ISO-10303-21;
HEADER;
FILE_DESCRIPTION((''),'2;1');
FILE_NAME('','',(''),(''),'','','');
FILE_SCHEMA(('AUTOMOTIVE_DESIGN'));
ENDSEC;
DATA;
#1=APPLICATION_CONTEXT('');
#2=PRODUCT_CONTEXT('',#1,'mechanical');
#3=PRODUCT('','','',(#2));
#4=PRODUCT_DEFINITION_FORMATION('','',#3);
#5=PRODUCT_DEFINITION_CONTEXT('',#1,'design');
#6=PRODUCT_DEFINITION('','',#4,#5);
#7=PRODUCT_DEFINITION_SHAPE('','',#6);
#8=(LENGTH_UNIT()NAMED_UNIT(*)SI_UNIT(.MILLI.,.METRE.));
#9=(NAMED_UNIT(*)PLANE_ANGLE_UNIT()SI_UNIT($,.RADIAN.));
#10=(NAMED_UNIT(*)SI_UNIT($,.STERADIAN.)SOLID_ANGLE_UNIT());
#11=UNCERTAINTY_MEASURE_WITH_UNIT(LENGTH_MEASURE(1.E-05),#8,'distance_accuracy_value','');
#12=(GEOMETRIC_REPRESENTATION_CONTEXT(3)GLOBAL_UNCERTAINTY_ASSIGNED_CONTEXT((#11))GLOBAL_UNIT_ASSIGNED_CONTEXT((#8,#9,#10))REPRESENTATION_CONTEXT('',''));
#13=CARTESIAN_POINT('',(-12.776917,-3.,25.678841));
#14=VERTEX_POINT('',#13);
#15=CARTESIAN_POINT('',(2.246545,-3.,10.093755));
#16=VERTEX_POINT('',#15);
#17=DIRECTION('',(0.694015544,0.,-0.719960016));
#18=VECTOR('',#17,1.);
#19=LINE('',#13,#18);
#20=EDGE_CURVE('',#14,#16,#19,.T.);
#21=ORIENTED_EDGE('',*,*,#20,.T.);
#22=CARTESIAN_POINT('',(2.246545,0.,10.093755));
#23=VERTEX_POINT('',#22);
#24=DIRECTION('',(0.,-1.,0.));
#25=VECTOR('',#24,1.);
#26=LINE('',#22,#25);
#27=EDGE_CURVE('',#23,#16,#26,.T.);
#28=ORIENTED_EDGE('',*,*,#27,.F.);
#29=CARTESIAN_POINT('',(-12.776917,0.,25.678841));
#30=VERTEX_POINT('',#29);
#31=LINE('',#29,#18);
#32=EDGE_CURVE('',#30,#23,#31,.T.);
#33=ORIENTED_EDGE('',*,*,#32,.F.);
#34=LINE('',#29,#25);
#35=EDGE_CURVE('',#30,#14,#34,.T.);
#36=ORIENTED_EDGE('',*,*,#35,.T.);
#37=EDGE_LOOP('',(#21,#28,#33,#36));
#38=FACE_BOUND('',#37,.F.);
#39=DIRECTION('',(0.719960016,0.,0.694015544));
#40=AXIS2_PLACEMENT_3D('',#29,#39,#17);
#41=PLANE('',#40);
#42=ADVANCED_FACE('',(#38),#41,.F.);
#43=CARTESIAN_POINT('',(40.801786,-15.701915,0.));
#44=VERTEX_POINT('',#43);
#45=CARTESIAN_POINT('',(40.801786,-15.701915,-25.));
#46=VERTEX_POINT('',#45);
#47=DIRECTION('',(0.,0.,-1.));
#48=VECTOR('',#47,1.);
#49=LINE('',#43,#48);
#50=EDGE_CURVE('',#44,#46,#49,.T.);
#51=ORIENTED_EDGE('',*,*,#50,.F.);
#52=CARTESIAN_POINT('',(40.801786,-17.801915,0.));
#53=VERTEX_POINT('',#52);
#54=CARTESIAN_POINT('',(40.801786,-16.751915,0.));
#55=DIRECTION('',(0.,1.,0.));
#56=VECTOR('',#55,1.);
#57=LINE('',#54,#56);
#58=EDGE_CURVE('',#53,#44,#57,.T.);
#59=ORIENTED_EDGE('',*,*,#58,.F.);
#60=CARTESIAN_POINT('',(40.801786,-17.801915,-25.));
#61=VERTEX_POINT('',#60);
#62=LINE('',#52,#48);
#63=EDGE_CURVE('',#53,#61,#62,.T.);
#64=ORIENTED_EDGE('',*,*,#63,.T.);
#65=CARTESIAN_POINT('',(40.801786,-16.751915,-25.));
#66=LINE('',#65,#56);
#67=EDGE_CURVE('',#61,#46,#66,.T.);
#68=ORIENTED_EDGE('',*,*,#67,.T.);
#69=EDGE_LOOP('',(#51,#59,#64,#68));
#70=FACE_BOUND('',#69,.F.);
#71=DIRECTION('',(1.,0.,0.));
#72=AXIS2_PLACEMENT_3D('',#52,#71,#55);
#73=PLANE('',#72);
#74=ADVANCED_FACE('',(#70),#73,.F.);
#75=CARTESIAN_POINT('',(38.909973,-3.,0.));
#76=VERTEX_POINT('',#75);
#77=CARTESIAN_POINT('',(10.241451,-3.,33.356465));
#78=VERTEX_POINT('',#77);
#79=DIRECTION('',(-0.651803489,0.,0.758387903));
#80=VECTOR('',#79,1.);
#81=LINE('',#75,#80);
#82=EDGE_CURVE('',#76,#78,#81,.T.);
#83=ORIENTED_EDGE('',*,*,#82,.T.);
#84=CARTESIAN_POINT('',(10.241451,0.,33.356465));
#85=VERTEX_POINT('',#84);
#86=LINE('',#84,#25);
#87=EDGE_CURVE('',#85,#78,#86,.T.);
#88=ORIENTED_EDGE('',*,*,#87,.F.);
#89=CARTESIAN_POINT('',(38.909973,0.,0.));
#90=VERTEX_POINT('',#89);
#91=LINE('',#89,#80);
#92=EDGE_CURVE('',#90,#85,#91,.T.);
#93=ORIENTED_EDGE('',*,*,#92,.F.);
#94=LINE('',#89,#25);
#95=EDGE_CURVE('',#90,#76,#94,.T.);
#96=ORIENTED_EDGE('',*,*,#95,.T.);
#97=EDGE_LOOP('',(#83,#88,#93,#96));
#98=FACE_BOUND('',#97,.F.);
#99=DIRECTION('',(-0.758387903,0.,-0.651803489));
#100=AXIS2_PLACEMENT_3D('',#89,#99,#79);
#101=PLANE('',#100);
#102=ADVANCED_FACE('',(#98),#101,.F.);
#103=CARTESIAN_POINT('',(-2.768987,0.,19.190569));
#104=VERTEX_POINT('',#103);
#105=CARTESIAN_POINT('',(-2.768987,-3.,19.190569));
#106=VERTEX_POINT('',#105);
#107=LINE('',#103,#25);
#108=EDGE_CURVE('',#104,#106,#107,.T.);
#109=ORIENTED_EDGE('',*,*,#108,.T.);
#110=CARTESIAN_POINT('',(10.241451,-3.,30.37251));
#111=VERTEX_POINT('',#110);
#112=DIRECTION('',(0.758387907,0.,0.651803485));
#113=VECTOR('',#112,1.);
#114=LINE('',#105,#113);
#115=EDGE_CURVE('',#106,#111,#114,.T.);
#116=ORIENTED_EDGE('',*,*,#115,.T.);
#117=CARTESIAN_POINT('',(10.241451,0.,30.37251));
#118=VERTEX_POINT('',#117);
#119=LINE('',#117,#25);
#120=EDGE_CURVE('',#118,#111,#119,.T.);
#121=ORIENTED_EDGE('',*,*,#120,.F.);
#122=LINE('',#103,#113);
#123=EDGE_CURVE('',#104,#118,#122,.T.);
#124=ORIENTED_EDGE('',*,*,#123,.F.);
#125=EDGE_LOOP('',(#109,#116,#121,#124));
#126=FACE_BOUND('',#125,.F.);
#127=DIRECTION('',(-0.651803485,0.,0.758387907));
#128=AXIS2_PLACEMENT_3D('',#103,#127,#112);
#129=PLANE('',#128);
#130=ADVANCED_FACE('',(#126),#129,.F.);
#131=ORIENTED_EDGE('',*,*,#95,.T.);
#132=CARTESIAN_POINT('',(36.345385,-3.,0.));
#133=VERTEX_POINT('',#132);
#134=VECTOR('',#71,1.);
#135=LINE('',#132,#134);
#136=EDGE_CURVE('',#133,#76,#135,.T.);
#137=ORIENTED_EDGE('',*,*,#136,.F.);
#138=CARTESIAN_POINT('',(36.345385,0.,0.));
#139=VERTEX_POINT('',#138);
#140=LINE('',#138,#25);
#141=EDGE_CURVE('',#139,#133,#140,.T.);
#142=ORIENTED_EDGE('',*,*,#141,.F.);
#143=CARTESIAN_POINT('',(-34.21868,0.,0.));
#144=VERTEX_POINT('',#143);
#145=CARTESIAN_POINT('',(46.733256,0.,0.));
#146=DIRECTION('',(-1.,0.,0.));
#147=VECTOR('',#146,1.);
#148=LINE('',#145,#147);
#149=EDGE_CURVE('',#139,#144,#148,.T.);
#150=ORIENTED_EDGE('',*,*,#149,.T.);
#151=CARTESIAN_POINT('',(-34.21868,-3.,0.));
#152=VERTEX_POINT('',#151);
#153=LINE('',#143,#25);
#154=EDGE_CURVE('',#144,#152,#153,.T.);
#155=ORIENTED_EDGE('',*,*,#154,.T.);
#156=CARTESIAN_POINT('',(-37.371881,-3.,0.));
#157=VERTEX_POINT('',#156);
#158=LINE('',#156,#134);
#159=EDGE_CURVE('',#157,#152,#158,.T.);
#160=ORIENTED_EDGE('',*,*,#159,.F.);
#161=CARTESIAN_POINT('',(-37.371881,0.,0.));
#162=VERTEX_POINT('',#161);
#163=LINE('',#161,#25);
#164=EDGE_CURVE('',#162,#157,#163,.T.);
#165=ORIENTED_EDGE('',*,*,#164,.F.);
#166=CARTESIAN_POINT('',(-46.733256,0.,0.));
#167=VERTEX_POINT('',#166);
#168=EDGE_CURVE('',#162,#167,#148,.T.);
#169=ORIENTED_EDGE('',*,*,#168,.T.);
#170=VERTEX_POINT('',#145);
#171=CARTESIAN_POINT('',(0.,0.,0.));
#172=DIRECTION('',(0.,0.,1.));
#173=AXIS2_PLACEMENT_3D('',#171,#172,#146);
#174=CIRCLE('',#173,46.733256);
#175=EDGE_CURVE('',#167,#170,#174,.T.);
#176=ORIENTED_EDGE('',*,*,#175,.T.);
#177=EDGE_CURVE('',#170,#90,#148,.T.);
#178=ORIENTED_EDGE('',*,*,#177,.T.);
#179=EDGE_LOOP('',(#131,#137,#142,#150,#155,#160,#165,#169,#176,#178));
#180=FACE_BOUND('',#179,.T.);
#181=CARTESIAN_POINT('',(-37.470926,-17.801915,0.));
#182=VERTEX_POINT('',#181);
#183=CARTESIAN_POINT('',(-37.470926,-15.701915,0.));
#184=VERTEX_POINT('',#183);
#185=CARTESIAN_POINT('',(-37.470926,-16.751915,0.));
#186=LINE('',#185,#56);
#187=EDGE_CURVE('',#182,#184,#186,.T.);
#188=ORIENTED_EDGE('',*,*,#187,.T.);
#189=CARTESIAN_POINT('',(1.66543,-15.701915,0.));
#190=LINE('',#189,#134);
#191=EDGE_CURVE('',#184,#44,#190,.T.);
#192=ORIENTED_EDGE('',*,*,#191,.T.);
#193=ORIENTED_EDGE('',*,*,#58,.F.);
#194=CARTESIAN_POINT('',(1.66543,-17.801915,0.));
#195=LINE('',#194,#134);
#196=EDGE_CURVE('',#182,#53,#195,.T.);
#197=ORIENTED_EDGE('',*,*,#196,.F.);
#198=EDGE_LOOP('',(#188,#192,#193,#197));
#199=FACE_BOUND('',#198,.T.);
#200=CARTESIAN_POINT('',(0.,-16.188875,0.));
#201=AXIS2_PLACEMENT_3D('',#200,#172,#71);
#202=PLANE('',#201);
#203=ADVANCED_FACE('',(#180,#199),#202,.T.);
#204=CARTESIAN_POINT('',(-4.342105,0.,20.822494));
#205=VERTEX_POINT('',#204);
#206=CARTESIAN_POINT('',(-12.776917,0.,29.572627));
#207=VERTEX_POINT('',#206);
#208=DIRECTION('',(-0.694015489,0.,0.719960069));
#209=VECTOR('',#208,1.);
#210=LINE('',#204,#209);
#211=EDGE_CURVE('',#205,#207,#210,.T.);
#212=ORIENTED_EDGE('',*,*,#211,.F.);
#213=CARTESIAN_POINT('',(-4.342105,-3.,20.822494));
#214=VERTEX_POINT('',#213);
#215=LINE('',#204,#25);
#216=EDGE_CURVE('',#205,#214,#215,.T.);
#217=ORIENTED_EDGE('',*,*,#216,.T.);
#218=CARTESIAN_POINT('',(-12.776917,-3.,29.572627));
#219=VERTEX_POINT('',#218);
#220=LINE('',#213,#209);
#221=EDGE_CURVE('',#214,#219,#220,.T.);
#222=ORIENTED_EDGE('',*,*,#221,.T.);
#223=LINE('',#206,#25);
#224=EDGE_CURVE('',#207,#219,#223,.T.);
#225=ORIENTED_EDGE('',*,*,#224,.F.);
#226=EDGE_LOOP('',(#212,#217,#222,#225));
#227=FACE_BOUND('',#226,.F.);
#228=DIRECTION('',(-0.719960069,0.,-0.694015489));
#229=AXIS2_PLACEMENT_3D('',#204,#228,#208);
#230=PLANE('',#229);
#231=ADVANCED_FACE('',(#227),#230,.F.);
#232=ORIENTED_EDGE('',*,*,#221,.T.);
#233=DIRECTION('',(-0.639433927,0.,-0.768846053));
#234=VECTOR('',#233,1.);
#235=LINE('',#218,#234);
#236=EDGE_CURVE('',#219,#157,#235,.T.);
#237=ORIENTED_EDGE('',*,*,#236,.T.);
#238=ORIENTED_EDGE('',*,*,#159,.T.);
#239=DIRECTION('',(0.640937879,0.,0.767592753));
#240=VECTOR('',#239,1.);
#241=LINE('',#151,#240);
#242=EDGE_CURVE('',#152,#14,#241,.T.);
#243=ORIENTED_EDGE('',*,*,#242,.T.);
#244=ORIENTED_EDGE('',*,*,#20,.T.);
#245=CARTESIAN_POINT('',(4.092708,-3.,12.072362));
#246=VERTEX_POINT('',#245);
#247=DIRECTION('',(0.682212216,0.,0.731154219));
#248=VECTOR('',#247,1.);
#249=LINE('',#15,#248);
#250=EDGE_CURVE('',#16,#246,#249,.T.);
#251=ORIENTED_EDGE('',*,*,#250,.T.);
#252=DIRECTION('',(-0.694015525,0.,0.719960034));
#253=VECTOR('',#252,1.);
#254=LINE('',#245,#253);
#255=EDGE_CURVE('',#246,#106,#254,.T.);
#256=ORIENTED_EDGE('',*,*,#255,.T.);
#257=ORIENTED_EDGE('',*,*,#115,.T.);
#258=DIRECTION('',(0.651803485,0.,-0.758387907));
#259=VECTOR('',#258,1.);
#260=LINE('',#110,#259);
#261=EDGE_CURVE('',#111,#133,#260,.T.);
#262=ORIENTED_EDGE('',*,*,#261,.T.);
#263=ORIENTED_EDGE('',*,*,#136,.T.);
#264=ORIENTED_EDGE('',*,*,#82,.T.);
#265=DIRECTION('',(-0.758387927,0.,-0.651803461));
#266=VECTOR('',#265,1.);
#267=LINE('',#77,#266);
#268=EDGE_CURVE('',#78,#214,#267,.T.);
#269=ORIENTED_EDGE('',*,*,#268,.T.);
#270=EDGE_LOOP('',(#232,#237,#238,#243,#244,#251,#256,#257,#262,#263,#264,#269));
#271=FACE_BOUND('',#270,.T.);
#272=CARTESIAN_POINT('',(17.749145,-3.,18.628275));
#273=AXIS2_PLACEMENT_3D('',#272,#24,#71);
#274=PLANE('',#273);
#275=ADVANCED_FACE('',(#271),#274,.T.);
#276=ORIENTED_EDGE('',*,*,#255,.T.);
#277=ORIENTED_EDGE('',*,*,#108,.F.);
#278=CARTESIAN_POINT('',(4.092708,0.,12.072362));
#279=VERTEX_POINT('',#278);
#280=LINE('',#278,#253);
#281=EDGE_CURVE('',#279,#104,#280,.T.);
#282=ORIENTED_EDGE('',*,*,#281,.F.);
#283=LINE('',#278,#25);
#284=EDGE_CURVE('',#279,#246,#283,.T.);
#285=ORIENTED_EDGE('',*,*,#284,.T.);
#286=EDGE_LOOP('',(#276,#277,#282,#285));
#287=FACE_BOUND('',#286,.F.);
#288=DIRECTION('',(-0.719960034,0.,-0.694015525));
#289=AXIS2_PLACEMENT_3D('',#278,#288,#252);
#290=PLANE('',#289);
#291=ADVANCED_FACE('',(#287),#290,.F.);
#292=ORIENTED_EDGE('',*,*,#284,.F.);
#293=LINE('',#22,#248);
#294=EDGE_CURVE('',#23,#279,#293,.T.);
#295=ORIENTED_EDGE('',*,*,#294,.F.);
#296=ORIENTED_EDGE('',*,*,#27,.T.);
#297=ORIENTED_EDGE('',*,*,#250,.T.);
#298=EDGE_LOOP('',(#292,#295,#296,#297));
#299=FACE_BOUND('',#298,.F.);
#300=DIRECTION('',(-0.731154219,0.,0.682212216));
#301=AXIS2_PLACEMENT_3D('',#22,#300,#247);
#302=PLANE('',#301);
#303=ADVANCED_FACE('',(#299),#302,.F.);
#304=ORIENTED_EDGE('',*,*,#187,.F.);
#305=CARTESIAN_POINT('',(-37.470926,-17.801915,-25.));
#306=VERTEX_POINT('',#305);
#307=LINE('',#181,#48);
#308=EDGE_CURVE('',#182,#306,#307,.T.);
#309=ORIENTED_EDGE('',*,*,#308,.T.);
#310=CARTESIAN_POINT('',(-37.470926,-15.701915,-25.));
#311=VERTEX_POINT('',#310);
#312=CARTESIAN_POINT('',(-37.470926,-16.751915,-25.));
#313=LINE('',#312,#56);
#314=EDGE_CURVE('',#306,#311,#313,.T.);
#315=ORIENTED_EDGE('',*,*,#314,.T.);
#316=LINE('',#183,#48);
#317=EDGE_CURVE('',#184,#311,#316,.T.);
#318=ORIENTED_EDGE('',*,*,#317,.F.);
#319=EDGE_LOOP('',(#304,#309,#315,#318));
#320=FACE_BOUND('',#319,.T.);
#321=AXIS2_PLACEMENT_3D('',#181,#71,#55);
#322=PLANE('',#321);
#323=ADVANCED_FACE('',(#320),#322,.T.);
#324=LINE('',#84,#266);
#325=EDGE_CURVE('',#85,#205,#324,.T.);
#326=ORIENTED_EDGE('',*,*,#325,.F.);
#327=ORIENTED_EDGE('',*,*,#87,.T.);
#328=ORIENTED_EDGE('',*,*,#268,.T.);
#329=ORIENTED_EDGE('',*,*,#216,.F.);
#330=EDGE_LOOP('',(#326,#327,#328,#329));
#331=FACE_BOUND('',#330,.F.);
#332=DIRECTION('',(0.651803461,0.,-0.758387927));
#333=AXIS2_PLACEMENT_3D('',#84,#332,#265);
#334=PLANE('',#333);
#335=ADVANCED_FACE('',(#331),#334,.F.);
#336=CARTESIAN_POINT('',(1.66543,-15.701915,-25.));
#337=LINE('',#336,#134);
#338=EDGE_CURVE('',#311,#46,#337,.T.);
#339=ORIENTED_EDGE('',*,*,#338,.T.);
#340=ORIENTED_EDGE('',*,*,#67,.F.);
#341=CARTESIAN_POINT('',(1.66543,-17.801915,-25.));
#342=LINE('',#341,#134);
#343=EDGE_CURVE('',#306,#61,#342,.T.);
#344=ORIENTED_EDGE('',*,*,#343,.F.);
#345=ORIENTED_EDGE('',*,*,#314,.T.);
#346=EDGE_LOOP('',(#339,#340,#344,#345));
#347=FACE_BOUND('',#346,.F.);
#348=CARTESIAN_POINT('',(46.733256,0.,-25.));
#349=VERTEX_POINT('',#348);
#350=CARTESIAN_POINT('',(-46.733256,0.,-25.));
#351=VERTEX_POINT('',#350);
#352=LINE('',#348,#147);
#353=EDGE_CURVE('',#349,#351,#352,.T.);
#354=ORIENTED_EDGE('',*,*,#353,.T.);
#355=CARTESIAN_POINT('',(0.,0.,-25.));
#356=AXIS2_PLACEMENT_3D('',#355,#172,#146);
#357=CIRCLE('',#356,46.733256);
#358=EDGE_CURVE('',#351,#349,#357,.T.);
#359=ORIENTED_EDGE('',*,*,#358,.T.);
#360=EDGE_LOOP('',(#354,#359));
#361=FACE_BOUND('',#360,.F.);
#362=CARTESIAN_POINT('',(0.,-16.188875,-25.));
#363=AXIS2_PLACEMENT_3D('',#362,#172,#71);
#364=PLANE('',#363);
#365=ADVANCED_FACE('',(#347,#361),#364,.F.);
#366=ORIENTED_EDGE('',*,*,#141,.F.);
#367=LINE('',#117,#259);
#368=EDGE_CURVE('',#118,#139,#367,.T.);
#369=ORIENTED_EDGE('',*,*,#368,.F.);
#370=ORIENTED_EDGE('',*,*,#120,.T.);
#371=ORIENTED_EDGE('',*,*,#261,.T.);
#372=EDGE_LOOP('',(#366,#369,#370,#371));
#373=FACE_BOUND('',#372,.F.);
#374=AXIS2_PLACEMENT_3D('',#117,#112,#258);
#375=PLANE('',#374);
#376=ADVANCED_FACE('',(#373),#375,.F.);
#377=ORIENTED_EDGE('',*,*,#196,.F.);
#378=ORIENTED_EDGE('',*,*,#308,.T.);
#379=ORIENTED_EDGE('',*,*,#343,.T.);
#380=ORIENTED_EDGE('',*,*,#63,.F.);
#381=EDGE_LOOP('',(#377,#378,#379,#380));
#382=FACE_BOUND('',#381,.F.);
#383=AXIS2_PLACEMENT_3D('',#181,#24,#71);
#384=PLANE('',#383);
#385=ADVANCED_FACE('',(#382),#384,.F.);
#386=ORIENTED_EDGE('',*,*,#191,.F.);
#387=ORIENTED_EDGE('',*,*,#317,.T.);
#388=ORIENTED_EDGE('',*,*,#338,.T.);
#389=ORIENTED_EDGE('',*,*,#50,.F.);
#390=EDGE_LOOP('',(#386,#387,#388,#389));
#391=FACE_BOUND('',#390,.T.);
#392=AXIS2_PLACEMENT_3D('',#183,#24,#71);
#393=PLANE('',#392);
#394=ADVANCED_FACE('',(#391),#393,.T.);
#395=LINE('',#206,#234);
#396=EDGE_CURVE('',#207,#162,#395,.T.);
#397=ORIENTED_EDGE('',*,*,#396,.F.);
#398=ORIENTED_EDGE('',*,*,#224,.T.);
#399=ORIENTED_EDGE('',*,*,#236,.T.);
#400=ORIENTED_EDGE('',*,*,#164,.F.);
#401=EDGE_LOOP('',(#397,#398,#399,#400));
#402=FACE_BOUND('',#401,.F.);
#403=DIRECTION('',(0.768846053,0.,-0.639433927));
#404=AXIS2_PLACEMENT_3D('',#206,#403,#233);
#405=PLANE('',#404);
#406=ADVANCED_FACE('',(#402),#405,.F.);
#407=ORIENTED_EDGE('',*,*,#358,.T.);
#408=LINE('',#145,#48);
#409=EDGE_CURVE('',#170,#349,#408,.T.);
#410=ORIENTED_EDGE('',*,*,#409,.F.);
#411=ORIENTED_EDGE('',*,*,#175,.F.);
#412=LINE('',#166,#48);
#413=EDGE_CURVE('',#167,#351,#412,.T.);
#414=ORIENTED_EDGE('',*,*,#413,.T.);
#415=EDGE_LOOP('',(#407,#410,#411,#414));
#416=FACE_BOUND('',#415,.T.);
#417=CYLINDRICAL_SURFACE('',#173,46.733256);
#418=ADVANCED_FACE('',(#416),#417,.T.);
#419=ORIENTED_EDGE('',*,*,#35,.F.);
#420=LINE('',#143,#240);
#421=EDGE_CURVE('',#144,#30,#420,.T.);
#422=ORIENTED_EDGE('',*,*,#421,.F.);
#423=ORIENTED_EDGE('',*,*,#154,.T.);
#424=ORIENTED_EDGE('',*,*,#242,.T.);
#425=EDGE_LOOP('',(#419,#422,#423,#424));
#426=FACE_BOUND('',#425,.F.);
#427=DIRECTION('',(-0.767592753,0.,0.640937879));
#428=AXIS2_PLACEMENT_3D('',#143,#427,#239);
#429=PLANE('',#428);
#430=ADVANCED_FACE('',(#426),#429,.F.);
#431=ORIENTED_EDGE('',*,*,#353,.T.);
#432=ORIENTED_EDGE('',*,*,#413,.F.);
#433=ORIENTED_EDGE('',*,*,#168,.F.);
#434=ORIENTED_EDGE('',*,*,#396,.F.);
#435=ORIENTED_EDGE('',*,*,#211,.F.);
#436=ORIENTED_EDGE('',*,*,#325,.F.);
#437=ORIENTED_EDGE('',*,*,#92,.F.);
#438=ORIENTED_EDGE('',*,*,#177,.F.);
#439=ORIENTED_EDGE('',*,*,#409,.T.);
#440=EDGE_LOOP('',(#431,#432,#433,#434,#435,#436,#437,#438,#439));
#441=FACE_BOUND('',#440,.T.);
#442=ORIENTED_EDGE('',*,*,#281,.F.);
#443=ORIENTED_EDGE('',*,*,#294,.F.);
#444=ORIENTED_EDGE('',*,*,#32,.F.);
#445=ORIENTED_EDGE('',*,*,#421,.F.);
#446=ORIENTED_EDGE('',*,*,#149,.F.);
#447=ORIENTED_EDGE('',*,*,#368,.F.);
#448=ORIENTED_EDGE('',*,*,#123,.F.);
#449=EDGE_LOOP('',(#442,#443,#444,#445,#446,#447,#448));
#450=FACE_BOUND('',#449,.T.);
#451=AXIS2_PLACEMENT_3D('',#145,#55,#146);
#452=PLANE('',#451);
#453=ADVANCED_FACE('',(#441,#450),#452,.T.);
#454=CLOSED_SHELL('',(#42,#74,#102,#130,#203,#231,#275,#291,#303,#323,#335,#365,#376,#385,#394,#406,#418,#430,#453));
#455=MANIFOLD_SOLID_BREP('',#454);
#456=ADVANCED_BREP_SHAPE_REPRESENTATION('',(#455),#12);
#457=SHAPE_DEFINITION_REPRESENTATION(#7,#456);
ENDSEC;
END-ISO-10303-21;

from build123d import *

# Parameters (mm, degrees)
F0_W     = 78.272713
F0_H     = 2.1
F2_DEPTH = 25
F3_DEPTH = 3


with BuildPart() as f2:
    # F0 (on Top) → F2 (new body)
    with BuildSketch(Plane.XY):
        with BuildLine():
            Line((46.733256, 0), (-46.733256, 0))
            ThreePointArc((-46.733256, 0), (0, -46.733256), (46.733256, 0))
        make_face()
        with Locations((1.66543, -16.751915)):
            Rectangle(F0_W, F0_H, mode=Mode.SUBTRACT)
    extrude(amount=-F2_DEPTH)

    # F1 (on Front) → F3 (join)
    with BuildSketch(Plane.XZ):
        Polygon((10.241451, 33.356465), (-4.342105, 20.822494), (-2.768987, 19.190569), (10.241451, 30.37251), (36.345385, 0), (38.909973, 0), align=None)
        Polygon((-12.776917, 29.572627), (-37.371881, 0), (-34.21868, 0), (-12.776917, 25.678841), (2.246545, 10.093755), (4.092708, 12.072362), (-2.768987, 19.190569), (-4.342105, 20.822494), align=None)
    extrude(amount=F3_DEPTH)


solid = f2.part
